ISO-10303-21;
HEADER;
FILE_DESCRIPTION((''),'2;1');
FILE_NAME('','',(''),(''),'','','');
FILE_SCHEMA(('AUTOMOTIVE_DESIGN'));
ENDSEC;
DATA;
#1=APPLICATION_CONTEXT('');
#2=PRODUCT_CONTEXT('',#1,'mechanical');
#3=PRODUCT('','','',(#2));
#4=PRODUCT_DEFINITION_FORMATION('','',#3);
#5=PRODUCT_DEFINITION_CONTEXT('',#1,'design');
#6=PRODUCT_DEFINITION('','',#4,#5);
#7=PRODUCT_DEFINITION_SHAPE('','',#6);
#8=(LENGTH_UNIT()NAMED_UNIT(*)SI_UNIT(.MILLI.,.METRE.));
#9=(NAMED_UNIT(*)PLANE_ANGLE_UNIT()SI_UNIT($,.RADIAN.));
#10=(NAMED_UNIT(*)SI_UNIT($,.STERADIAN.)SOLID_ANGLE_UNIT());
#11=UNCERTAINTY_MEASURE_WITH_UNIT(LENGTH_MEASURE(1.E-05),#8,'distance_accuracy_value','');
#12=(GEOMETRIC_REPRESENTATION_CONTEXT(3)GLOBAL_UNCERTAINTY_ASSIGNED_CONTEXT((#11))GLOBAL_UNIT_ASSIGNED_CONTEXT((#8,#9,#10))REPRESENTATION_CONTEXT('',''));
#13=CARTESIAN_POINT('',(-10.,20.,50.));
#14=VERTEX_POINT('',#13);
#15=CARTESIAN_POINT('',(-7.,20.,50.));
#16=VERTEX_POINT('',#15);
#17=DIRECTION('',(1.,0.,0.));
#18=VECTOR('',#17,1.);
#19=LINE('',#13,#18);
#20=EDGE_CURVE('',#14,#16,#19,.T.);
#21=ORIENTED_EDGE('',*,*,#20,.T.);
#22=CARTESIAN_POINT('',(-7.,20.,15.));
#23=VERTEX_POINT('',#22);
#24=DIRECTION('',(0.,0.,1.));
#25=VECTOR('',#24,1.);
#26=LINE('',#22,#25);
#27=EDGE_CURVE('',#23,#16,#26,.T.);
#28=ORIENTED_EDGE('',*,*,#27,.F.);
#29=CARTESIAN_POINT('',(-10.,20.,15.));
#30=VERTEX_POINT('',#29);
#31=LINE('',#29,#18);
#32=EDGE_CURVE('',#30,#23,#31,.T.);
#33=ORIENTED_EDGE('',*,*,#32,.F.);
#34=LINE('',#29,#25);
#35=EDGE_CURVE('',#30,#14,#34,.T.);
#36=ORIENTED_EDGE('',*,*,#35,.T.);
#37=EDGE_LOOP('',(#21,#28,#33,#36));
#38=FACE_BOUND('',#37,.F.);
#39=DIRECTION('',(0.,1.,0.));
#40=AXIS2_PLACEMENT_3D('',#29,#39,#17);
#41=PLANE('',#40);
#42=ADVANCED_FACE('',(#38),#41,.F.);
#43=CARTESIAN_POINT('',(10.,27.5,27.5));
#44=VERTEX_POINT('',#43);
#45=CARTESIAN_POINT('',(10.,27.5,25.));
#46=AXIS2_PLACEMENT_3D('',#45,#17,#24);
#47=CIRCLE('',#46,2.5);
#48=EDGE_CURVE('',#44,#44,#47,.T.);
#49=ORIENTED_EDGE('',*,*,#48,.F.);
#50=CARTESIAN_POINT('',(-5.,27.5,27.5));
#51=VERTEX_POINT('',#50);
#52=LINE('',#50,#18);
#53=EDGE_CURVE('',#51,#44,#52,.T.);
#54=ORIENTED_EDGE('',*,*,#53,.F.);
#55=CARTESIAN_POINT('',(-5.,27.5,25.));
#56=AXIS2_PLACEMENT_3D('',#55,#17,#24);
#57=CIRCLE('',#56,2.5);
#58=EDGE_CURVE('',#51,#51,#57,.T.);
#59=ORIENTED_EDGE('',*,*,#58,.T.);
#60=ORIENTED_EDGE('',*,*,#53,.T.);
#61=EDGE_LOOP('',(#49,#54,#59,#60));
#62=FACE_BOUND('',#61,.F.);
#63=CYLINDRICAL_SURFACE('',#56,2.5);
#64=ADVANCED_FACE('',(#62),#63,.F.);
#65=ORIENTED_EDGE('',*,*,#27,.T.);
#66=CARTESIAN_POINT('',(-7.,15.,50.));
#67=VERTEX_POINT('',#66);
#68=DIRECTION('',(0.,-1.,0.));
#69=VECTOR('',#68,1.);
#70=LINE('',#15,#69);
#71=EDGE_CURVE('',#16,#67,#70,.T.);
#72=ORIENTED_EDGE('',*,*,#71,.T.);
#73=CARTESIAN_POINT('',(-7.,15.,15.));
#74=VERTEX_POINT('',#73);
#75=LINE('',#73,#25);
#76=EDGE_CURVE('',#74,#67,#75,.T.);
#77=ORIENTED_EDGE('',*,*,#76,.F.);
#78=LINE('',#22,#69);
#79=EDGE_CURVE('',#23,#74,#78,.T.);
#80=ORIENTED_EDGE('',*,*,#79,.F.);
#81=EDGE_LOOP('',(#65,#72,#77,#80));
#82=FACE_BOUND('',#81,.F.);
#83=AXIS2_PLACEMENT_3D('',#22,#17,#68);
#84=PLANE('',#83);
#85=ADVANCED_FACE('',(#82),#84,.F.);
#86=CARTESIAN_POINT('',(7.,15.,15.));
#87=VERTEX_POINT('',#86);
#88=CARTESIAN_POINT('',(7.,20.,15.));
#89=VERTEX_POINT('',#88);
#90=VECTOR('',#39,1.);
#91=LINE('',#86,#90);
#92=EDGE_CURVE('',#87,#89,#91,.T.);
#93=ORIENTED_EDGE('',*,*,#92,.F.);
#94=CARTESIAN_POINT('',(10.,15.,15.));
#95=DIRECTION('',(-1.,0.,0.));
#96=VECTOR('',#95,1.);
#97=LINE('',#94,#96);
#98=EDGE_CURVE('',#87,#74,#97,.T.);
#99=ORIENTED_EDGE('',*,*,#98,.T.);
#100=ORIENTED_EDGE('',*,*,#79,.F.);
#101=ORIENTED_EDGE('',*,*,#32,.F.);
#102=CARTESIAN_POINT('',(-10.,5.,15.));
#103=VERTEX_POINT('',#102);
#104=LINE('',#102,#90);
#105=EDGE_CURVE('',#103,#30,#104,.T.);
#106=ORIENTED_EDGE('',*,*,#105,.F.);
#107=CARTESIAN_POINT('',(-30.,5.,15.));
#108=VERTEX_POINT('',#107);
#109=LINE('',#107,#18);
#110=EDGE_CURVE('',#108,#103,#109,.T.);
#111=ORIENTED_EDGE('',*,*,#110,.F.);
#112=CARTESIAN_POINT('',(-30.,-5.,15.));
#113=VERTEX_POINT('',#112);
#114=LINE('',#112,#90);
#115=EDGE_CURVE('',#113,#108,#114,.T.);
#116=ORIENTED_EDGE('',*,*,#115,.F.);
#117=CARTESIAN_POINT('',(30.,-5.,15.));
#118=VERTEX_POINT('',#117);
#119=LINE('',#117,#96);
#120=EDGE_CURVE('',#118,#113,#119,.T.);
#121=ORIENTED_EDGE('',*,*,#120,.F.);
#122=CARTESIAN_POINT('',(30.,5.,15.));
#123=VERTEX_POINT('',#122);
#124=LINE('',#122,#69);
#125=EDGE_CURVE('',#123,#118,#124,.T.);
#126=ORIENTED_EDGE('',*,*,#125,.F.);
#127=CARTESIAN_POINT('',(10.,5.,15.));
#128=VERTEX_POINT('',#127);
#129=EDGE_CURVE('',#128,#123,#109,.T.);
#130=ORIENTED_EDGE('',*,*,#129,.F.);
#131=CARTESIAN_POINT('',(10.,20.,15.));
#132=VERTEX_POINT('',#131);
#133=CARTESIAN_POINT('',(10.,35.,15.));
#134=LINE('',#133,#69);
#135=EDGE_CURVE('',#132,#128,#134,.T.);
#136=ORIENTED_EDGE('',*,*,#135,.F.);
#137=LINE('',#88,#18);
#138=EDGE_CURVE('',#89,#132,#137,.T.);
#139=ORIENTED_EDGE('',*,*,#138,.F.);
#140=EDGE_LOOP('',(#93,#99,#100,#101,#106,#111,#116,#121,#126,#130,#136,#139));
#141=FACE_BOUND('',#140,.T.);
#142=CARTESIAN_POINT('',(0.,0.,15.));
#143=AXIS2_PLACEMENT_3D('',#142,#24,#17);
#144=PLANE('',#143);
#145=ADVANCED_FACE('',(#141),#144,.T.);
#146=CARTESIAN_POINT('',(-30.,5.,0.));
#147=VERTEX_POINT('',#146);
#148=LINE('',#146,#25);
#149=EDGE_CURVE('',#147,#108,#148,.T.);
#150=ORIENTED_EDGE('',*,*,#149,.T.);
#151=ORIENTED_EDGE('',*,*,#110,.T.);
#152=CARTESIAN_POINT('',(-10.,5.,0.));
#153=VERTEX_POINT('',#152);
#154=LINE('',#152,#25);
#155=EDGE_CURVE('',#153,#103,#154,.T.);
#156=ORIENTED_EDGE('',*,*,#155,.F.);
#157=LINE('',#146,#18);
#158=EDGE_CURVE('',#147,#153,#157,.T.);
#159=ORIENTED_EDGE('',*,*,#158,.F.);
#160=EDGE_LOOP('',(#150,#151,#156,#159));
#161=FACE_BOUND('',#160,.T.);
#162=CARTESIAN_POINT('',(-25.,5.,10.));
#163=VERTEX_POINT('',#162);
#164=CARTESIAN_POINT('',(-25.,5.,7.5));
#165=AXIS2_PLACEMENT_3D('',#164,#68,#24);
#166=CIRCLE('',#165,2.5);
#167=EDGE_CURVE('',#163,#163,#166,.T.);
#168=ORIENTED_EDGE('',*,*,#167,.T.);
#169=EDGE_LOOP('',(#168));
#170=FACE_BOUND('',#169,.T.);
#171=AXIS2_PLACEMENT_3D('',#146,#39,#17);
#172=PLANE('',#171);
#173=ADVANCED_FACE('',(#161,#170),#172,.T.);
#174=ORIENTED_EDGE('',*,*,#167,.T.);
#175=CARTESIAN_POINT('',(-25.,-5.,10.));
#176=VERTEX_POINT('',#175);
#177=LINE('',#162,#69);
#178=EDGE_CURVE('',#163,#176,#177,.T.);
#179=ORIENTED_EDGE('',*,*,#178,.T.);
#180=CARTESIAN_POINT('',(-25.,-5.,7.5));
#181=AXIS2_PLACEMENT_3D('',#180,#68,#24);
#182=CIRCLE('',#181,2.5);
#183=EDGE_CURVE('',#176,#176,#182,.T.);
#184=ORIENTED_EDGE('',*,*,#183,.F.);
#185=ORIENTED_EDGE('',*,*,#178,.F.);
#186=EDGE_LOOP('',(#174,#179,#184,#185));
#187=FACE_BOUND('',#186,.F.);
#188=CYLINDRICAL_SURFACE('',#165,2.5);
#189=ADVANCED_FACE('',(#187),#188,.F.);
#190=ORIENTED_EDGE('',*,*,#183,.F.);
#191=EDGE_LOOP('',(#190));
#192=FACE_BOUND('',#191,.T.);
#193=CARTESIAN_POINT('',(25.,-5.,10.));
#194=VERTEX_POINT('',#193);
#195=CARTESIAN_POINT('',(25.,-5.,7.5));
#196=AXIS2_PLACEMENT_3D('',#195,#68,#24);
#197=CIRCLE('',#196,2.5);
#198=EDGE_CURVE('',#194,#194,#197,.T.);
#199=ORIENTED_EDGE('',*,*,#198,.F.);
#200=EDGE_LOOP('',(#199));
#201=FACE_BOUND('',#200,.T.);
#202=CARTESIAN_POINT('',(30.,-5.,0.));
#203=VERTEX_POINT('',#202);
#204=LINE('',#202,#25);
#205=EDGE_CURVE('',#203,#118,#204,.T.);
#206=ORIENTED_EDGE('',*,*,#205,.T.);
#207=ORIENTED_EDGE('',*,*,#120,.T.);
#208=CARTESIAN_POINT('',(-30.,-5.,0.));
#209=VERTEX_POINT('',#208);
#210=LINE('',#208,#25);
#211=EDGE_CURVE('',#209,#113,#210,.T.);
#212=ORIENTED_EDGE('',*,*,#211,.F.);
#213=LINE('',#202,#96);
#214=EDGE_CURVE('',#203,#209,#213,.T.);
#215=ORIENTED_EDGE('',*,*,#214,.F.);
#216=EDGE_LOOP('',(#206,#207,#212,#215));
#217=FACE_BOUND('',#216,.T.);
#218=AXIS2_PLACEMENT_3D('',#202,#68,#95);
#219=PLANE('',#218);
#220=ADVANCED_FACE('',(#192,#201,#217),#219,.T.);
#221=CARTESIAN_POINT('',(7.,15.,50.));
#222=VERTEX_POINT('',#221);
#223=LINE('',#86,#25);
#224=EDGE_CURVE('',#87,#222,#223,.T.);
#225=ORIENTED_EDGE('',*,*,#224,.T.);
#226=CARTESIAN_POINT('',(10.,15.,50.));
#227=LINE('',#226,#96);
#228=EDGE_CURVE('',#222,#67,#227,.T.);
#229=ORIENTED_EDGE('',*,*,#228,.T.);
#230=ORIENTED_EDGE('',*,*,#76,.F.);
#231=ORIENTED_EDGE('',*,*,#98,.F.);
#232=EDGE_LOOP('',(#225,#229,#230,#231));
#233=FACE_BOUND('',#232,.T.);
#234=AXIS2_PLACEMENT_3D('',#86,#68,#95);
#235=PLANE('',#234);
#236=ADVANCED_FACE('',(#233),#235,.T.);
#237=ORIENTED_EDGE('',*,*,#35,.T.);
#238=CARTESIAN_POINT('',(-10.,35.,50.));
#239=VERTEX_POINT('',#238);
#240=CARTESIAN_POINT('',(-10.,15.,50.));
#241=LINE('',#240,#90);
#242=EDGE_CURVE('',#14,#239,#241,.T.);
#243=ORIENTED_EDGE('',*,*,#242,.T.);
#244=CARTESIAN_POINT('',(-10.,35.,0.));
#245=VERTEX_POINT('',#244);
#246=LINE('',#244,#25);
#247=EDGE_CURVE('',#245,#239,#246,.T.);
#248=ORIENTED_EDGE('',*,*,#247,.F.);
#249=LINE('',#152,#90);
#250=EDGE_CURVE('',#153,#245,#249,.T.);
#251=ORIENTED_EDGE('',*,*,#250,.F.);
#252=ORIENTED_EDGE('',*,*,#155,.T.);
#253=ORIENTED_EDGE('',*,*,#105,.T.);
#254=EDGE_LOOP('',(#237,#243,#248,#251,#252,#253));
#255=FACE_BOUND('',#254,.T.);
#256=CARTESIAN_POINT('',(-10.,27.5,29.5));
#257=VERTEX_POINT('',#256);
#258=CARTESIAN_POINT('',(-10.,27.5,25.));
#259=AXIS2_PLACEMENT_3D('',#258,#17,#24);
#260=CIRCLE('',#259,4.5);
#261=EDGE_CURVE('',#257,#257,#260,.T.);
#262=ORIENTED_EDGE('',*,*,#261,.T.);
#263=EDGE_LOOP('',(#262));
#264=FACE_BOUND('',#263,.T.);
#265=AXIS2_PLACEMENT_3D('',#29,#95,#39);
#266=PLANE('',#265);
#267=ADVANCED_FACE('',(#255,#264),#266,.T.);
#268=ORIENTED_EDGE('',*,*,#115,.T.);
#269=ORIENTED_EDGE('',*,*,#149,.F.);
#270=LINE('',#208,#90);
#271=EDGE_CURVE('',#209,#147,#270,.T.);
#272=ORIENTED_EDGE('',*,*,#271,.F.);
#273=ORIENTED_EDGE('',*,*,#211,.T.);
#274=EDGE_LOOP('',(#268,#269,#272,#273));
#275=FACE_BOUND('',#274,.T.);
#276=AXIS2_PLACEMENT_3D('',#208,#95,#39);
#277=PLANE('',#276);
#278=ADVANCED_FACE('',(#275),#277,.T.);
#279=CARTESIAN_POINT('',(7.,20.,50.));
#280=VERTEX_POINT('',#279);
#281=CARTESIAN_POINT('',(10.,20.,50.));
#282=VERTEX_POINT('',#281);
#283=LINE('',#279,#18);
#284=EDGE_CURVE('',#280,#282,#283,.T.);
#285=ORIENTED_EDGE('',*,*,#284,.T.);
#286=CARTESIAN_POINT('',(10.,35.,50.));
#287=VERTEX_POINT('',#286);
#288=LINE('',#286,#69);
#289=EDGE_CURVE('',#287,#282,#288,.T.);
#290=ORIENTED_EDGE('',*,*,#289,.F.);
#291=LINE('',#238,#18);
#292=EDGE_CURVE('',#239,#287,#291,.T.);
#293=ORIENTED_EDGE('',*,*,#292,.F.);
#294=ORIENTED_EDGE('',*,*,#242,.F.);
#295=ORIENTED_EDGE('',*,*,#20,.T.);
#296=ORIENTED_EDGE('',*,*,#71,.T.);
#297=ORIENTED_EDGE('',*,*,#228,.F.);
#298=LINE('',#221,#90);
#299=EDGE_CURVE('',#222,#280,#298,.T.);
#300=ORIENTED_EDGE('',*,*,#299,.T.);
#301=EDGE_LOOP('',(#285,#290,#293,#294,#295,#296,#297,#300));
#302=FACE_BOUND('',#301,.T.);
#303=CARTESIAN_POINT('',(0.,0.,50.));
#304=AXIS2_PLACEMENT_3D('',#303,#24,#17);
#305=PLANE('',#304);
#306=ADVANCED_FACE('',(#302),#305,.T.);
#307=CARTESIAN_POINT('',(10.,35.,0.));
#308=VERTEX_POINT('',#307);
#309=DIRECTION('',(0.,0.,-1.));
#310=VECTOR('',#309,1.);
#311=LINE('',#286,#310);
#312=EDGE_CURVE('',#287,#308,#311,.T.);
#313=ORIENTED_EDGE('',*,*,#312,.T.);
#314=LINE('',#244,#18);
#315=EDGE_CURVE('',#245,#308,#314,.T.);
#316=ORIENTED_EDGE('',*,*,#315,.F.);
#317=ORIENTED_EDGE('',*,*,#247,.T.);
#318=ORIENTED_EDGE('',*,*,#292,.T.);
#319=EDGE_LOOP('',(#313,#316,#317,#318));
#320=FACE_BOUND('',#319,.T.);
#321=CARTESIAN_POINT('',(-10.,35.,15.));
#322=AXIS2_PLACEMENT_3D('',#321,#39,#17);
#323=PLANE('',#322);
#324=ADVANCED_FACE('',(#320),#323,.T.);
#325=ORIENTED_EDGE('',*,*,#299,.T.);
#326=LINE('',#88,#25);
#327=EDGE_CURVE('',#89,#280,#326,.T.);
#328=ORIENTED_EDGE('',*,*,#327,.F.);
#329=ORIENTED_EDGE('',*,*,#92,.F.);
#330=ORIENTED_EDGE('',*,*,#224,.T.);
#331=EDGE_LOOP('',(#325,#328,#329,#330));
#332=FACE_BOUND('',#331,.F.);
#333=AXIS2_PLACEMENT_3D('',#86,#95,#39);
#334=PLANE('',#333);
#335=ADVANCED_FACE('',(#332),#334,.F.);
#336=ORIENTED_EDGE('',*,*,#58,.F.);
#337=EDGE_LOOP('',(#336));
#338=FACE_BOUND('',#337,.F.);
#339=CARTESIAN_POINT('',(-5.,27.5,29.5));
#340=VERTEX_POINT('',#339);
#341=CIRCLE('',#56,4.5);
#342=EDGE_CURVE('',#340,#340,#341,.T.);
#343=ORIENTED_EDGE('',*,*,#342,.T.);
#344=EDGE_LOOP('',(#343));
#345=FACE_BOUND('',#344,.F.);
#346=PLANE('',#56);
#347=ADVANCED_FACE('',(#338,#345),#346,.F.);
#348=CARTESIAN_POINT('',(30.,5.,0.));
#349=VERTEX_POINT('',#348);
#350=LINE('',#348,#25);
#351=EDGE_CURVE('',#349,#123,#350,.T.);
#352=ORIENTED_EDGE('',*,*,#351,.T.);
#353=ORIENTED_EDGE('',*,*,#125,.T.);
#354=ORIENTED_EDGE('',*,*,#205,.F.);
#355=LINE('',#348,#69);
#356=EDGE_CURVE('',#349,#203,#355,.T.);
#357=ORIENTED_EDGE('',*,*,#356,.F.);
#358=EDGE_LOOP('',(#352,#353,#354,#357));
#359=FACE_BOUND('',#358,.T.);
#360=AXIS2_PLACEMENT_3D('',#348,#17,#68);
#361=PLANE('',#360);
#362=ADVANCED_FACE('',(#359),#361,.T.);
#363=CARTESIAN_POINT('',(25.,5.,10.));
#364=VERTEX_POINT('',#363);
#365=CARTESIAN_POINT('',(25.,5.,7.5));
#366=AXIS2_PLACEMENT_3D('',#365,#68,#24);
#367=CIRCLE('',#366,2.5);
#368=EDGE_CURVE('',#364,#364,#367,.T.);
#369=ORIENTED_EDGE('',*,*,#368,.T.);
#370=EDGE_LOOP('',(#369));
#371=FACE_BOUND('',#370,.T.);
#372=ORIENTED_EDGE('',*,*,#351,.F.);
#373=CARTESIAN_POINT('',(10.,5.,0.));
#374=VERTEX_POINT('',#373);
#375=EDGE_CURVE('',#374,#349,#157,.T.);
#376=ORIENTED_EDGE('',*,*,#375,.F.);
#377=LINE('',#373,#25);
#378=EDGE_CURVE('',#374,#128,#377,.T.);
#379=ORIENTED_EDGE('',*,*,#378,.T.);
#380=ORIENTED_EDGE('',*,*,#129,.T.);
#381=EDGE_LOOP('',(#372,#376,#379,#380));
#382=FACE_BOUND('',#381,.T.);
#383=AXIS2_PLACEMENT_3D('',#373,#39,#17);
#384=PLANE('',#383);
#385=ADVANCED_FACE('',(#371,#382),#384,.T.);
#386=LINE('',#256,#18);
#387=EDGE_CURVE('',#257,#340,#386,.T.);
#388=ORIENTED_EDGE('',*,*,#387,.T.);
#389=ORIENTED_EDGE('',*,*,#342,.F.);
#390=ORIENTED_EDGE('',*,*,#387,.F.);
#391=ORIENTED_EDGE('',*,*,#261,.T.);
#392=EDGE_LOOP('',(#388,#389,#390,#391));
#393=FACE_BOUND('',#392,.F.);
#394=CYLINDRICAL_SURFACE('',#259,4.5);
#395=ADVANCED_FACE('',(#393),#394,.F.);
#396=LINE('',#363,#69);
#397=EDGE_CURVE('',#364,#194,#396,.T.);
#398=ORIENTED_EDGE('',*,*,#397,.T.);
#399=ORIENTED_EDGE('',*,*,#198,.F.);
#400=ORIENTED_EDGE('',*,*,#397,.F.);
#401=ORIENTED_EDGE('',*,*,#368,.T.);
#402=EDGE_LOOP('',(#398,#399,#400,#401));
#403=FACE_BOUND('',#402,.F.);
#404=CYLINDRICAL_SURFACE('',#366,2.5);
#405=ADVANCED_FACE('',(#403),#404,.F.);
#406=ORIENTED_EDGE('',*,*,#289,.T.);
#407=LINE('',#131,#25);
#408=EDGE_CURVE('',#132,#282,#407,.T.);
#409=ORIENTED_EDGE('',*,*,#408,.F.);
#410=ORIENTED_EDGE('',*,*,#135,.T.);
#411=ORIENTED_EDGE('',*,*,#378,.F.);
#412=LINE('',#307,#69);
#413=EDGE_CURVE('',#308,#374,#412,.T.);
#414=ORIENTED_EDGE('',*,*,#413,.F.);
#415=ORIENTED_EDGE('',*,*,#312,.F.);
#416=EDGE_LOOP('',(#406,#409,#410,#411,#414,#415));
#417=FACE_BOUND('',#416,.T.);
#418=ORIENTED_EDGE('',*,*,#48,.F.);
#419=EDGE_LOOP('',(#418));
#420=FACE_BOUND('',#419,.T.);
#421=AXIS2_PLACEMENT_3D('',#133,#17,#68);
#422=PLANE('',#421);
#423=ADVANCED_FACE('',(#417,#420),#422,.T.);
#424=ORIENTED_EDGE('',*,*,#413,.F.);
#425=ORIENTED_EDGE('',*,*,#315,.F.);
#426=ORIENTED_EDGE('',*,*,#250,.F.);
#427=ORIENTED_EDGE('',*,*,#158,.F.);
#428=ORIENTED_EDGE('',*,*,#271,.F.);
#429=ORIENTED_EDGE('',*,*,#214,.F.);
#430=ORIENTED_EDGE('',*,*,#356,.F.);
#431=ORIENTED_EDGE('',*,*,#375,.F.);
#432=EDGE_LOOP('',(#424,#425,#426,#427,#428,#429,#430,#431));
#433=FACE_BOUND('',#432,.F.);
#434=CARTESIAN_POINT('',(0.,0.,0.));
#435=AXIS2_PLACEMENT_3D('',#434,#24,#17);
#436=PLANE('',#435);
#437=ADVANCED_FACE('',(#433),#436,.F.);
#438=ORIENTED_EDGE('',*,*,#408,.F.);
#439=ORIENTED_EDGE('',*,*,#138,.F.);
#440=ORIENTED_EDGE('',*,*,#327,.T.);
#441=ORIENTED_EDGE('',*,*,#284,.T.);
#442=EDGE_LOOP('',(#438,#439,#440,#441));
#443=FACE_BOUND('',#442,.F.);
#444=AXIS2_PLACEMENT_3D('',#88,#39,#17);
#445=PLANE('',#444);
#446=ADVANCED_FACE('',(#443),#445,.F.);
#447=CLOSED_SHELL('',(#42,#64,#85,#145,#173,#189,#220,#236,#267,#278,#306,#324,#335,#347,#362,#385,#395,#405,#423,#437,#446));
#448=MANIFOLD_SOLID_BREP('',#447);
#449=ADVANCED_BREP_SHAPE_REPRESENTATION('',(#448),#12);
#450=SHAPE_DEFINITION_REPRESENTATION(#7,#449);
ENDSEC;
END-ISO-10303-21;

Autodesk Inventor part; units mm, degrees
ref_plane "YZ Plane" through (0, 0, 0) normal (1, 0, 0) x (0, 1, 0)
ref_plane "XZ Plane" through (0, 0, 0) normal (0, 1, 0) x (-1, 0, 0)
ref_plane "XY Plane" through (0, 0, 0) normal (0, 0, 1) x (1, 0, 0)
sketch "Sketch1" plane through (0, 0, 0) normal (0, 0, 1) x (1, 0, 0)
  line L0 (-30, 5) -> (30, 5)
  line L1 (30, 5) -> (30, -5)
  line L2 (30, -5) -> (-30, -5)
  line L3 (-30, -5) -> (-30, 5)
  line L4 (-10, 35) -> (10, 35)
  line L5 (10, 35) -> (10, 5)
  line L6 (10, 5) -> (-10, 5)
  line L7 (-10, 5) -> (-10, 35)
  point P0 (0, 0)
  point P1 (0, 5)
  point P2 (-30, 0)
  point P3 (0, 5)
  dimension "d0" = 10
  dimension "d1" = 60
  dimension "d2" = 30
  dimension "d3" = 20
extrude "Extrusion1" add sketch "Sketch1" along normal blind 15
sketch "Sketch2" plane through (-30, 5, 0) normal (0, 1, 0) x (1, 0, 0)
  line L0 (30, -53.7244) -> (30, -44.0936) construction
  line L1 (40, -15) -> (20, -15) construction
  line L2 (0, 0) -> (0, -15) projected
  point P0 (30, 0)
  point P1 (55, -7.5)
  point P2 (5, -7.5)
  point P3 (30, -48.909)
  point P4 (30, -15)
  point P5 (0, -7.5)
  dimension "d6" = 50
hole "Hole1" at (25, 5, 7.5) at (-25, 5, 7.5) direction (0, -1, 0) diameter 5 end through all
sketch "Sketch3" plane through (0, 0, 15) normal (0, 0, 1) x (1, 0, 0)
  line L0 (-10, 35) -> (10, 35)
  line L1 (10, 35) -> (10, 15)
  line L2 (10, 15) -> (-10, 15)
  line L3 (-10, 15) -> (-10, 35)
  line L4 (10, 35) -> (-10, 35) projected
  line L5 (10, 5) -> (10, 35) projected
  line L6 (-10, 35) -> (-10, 5) projected
  line L7 (-10, 20) -> (-7, 20)
  line L8 (-7, 20) -> (-7, 15)
  line L9 (-7, 15) -> (-10, 15)
  line L10 (-10, 15) -> (-10, 20)
  line L11 (7, 20) -> (10, 20)
  line L12 (10, 20) -> (10, 15)
  line L13 (10, 15) -> (7, 15)
  line L14 (7, 15) -> (7, 20)
  line L15 (10, 5) -> (10, 35) projected
  point P0 (0, 0)
  point P1 (-10, 20)
  dimension "d14" = 20
  dimension "d15" = 3
  dimension "d16" = 5
extrude "Extrusion2" add sketch "Sketch3" along normal blind 35 contours L0 L1 L11 L14 L2 L8 L7 L3
sketch "Sketch4" plane through (-10, 5, 0) normal (-1, 0, 0) x (0, 0, 1)
  line L0 (50, 30) -> (50, 15) projected
  line L1 (15, 15) -> (15, 0) projected
  point P0 (0, -5)
  point P1 (25, 22.5)
  point P2 (50, 22.5)
  dimension "d27" = 25
hole "Hole2" at (-10, 27.5, 25) direction (1, 0, 0) diameter 5 end through all counterbore diameter 9 counterbore depth 5
properties part number "0008-10-054 Suport doking"
